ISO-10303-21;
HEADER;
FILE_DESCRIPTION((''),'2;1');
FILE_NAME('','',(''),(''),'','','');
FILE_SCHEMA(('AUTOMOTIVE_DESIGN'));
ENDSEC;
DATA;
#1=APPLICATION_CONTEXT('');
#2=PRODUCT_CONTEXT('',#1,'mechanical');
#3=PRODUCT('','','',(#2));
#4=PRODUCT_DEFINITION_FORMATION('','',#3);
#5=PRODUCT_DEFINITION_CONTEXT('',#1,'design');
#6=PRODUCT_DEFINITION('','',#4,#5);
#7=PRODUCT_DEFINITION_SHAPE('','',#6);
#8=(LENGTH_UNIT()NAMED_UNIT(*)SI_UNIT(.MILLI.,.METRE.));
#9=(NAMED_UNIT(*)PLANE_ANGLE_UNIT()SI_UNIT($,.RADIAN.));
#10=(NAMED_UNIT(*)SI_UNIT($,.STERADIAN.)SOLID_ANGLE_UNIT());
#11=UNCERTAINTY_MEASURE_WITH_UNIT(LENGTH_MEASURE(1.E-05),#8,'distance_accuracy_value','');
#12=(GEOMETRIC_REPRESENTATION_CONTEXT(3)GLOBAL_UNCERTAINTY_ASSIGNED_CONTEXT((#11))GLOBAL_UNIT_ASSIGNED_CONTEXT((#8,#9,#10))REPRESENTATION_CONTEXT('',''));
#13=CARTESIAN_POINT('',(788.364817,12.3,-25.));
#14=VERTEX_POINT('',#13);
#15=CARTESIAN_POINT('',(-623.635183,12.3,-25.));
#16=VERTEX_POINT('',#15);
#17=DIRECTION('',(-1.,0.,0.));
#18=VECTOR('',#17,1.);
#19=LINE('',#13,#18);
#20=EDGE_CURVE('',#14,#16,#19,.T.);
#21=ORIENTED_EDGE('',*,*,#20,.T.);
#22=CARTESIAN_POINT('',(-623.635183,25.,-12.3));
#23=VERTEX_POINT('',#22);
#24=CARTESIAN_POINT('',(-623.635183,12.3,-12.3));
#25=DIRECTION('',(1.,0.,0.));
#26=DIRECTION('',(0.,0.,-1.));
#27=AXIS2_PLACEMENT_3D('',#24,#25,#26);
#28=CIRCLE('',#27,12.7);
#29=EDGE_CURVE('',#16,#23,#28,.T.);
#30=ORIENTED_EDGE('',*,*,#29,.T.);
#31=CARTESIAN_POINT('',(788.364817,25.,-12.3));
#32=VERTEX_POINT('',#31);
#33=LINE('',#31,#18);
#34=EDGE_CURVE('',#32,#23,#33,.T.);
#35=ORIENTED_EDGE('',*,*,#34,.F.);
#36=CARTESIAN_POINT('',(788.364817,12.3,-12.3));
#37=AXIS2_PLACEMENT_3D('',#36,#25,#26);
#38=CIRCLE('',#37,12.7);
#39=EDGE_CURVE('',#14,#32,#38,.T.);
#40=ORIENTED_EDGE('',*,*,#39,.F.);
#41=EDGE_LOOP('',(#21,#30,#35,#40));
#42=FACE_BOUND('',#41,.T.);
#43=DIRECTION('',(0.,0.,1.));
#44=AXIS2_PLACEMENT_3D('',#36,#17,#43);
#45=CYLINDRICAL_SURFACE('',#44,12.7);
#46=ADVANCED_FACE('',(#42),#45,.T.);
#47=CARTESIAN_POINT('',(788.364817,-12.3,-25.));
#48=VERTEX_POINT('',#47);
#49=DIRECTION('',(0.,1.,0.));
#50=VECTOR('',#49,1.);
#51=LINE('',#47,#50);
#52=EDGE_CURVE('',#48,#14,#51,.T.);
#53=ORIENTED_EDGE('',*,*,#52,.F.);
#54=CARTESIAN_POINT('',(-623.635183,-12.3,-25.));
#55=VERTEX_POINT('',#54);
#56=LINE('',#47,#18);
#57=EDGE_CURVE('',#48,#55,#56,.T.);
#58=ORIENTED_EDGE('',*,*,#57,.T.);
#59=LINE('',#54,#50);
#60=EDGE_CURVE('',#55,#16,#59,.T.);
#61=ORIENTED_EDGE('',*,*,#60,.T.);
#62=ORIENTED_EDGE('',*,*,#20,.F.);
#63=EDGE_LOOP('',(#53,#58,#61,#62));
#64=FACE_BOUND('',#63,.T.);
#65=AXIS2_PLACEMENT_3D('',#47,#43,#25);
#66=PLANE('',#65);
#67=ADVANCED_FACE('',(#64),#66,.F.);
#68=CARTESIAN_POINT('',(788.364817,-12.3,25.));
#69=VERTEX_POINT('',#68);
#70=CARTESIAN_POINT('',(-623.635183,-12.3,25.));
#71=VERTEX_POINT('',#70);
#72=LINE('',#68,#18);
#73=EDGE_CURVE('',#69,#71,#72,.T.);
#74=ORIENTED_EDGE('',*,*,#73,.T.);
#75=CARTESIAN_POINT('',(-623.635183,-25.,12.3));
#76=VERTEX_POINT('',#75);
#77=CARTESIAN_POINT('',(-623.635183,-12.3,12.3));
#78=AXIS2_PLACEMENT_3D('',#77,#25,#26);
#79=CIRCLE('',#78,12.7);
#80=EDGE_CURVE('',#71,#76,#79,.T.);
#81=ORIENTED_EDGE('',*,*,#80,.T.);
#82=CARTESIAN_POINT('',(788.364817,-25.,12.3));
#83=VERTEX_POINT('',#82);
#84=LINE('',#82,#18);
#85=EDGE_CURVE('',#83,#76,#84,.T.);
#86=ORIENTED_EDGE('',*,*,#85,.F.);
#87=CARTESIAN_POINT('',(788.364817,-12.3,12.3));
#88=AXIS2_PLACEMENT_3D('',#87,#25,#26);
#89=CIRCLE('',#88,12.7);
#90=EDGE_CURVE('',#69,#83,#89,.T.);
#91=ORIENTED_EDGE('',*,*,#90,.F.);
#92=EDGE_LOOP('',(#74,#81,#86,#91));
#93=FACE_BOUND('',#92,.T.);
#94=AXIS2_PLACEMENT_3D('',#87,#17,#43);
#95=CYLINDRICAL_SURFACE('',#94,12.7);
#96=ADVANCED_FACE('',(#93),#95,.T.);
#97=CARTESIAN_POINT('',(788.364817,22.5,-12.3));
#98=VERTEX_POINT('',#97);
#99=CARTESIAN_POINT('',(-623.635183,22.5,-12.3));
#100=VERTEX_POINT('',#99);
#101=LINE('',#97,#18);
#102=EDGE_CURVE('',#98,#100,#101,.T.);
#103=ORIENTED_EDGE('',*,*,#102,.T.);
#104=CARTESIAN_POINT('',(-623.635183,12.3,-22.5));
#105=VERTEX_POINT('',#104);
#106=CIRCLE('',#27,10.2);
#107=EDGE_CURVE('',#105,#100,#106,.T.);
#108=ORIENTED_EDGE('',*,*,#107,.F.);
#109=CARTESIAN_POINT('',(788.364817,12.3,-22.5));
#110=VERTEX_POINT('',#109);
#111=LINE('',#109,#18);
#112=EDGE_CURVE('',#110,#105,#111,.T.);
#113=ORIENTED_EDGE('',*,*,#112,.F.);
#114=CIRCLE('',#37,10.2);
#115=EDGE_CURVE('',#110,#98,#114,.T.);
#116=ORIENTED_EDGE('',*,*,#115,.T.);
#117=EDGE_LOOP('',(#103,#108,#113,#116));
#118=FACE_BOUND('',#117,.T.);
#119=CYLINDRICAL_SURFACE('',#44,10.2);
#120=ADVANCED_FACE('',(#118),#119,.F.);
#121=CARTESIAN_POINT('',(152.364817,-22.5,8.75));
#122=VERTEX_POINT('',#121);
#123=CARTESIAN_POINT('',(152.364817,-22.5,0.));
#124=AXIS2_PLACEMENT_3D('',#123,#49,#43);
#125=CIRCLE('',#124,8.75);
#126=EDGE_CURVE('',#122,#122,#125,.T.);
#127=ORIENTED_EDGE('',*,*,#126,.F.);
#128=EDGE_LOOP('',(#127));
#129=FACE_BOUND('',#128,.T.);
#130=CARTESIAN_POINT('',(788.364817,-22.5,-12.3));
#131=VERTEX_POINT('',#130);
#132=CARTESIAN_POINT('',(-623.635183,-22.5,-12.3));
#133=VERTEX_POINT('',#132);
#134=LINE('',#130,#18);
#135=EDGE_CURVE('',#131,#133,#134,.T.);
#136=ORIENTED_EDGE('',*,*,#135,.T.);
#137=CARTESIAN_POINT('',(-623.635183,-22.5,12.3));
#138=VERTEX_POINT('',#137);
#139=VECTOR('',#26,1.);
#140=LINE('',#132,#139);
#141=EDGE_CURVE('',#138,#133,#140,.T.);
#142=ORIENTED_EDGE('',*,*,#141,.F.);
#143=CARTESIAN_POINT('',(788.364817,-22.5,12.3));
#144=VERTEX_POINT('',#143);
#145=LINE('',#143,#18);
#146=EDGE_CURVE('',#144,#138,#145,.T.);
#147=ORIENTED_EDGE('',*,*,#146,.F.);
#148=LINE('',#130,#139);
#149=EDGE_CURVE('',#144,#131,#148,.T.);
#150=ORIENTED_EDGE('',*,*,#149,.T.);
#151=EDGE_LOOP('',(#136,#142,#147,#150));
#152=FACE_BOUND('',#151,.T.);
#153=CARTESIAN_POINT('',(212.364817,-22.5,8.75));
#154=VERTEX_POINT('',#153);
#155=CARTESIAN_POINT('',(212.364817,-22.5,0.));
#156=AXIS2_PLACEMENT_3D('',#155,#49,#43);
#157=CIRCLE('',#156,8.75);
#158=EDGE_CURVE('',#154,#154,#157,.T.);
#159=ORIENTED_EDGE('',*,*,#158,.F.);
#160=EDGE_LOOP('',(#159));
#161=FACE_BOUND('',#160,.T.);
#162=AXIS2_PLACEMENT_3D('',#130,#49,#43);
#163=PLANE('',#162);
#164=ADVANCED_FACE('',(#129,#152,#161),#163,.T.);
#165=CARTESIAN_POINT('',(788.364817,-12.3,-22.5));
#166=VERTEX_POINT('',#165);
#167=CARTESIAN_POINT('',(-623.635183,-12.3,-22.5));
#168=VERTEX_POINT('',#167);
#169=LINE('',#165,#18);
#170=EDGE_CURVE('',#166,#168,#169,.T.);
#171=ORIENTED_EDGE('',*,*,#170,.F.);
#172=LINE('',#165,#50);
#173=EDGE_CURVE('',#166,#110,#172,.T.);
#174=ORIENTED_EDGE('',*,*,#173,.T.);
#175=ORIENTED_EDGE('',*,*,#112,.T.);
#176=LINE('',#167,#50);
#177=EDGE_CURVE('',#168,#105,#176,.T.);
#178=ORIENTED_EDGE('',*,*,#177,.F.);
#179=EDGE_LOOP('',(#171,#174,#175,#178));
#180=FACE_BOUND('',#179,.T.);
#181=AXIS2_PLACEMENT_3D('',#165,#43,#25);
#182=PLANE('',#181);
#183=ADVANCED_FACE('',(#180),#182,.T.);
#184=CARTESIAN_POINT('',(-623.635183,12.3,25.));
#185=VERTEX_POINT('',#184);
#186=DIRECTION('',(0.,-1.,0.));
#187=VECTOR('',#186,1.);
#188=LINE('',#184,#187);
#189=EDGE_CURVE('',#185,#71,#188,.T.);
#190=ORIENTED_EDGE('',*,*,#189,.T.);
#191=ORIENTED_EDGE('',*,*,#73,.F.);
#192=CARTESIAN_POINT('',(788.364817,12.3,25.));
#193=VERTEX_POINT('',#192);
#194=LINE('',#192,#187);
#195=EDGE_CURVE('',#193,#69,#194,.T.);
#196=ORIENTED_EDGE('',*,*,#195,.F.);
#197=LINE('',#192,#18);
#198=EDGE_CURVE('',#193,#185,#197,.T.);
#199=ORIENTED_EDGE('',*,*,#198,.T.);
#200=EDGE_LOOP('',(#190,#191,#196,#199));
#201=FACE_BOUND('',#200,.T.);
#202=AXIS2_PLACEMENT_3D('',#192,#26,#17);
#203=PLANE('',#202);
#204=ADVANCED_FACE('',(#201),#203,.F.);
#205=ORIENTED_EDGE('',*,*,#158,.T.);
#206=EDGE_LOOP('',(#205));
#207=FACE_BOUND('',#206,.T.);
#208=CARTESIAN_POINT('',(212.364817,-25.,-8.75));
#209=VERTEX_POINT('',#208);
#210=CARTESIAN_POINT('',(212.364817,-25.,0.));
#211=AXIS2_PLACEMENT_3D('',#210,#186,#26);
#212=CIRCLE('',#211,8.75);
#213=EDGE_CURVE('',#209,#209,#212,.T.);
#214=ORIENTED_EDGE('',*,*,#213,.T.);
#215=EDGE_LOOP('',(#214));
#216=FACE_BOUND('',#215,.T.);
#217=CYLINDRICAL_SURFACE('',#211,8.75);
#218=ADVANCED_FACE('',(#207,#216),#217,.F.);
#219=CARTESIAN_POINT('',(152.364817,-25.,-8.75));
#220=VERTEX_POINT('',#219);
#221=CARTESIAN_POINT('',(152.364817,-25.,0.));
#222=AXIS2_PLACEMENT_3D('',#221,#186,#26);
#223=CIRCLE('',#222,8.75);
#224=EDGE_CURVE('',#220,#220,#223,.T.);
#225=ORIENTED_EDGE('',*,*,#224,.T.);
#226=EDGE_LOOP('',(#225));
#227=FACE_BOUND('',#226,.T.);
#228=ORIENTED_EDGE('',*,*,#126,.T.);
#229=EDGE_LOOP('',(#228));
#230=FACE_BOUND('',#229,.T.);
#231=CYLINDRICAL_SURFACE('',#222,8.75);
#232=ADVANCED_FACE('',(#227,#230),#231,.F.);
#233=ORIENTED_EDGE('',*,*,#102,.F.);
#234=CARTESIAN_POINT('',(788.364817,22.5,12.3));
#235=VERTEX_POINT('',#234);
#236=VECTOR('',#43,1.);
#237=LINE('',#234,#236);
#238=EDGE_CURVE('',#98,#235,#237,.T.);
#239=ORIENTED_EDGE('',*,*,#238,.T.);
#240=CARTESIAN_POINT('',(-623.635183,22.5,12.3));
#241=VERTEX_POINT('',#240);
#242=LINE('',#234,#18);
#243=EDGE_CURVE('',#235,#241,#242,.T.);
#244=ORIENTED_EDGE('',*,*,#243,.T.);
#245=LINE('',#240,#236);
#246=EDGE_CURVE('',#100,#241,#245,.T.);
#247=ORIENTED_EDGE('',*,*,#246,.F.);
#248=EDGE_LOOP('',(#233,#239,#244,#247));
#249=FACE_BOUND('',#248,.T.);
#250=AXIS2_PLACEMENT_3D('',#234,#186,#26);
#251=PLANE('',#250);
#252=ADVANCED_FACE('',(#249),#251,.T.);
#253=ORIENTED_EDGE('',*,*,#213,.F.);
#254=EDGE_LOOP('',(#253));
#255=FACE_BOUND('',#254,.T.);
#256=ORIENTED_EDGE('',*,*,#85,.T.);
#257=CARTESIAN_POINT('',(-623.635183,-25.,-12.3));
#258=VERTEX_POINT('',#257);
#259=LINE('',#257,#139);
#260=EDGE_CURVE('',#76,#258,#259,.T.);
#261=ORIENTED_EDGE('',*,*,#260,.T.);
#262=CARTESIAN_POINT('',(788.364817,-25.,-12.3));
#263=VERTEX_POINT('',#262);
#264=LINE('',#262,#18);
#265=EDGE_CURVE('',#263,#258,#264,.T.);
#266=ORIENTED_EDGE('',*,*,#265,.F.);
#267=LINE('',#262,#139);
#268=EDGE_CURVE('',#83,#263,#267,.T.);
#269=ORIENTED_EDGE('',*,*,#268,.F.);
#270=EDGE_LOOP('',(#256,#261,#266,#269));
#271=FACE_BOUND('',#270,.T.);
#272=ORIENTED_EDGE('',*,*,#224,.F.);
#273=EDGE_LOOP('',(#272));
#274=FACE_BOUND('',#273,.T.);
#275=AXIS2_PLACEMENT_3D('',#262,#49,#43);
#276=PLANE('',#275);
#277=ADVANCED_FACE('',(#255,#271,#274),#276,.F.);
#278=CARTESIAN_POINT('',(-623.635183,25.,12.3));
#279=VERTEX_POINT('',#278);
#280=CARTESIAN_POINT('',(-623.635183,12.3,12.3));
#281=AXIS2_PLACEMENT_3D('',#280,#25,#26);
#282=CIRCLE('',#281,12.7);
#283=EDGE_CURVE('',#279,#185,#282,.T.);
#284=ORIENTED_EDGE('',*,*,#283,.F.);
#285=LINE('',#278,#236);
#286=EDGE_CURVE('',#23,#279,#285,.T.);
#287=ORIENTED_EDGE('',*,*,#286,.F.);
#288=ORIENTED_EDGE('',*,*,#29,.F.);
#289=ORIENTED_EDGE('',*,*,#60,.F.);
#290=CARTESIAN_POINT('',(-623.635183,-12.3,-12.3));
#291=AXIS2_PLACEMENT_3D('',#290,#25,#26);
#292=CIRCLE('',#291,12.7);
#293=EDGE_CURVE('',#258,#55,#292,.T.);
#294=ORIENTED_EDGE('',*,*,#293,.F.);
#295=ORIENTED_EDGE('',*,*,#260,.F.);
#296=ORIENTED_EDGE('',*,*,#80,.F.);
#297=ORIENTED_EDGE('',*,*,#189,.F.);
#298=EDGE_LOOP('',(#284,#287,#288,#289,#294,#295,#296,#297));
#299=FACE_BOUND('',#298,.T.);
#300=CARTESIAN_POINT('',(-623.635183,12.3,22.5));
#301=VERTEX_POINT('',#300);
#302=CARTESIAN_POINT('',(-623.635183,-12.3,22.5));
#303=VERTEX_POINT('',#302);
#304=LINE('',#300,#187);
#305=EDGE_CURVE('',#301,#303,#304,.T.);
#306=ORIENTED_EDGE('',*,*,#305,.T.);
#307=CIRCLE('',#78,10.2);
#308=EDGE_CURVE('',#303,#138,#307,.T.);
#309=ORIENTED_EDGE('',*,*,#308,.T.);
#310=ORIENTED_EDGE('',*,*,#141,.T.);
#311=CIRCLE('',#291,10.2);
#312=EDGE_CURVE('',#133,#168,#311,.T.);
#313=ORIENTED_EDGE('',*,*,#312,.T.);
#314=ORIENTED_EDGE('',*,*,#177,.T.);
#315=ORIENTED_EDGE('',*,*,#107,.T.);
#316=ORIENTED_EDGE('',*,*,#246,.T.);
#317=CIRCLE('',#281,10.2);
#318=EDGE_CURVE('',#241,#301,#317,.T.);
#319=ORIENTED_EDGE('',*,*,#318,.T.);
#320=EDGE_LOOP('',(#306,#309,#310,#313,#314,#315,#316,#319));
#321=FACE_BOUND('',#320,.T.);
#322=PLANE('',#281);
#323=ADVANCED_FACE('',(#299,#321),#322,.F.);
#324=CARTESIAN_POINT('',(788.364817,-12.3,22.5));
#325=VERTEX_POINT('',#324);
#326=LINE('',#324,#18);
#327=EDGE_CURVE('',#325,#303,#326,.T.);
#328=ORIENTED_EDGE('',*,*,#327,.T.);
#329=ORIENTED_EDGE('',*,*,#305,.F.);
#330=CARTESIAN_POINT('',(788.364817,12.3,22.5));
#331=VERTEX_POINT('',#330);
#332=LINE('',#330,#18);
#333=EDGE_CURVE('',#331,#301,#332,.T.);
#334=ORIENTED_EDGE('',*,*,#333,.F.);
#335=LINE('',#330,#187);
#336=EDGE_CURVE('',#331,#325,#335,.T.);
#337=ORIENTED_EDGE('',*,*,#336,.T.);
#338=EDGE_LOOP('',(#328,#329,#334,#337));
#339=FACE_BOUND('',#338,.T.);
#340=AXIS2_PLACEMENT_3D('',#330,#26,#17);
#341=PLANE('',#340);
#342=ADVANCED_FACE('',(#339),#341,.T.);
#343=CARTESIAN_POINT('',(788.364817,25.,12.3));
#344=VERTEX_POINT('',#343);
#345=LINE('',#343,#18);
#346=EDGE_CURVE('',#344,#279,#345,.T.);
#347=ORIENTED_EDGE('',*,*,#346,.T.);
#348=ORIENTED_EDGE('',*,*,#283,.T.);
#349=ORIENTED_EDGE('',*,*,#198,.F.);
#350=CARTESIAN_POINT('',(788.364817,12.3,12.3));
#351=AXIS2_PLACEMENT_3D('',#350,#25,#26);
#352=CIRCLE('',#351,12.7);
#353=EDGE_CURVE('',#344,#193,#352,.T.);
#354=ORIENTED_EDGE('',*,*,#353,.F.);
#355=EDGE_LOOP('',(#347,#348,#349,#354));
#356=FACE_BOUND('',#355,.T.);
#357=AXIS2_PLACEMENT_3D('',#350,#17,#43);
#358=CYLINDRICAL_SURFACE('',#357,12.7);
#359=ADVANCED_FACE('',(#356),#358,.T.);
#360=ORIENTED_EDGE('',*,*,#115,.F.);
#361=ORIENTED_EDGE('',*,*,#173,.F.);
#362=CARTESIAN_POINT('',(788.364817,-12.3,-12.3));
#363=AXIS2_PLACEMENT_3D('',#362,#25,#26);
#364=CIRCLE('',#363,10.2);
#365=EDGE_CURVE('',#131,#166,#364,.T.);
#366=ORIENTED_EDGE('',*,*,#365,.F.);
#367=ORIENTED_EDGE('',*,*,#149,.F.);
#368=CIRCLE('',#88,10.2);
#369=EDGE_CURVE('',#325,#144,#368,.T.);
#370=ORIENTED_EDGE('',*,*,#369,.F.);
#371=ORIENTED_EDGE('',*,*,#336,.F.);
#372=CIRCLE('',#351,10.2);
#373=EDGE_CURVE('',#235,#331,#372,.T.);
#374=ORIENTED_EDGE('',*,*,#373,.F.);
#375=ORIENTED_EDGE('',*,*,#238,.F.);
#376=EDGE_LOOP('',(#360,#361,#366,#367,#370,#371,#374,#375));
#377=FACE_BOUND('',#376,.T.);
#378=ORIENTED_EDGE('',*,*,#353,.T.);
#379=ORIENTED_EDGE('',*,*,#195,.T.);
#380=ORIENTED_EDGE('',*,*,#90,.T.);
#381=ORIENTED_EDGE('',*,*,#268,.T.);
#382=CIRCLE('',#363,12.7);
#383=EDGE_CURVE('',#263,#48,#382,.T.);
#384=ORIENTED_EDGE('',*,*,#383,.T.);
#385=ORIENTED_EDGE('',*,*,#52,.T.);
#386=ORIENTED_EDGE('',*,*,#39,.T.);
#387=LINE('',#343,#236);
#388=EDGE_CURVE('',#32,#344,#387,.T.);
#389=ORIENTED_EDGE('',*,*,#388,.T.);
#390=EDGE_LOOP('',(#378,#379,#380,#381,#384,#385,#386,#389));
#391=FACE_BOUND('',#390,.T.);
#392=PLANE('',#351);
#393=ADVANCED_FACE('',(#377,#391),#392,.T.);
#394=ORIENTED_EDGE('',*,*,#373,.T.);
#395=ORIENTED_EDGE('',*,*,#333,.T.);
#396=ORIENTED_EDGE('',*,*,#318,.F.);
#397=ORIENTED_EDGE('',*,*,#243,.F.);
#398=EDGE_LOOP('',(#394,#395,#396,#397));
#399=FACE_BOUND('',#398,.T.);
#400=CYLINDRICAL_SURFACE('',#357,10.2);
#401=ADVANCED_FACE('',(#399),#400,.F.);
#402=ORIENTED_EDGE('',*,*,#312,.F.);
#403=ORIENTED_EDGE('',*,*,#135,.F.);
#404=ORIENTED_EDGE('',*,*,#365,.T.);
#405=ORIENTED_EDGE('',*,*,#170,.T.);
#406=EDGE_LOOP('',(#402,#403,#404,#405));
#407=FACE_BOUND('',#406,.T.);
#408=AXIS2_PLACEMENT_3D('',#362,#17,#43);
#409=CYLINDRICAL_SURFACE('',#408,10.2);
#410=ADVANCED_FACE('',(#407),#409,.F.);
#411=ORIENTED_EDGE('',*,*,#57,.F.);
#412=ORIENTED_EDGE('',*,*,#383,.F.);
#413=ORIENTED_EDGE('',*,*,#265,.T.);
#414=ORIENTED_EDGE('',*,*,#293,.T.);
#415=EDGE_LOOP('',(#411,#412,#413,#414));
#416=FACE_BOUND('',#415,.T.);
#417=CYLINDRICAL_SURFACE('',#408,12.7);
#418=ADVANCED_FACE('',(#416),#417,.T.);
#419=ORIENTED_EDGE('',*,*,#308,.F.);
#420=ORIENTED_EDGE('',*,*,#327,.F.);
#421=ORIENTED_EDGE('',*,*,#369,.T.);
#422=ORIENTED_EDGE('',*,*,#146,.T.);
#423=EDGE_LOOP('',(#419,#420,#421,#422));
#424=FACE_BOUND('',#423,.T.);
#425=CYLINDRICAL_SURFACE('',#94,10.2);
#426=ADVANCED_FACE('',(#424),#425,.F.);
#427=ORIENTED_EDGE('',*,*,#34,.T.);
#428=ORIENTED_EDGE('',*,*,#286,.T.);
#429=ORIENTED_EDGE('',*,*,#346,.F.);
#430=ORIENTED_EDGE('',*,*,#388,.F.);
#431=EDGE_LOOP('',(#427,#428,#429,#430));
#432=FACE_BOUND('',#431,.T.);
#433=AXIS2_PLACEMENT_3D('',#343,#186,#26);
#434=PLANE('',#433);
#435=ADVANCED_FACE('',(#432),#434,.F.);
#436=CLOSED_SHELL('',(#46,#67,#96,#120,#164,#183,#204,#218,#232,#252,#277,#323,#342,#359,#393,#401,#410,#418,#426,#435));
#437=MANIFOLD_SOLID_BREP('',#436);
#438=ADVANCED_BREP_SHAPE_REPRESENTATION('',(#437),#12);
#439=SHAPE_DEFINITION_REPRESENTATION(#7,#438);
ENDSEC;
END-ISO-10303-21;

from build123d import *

# Parameters (mm, degrees)
MIEMBRO_ESTRUCTURAL1_DEPTH        = 1412
TALADRO_DE_MARGEN_PARA_M161_D     = 17.5
TALADRO_DE_MARGEN_PARA_M161_DEPTH = 2.5


with BuildPart() as part:
    # Sketch1 → Miembro estructural1 (new body)
    with BuildSketch(Plane.YZ.offset(-623.635182539)):
        with BuildLine():
            Line((-12.3, -25), (12.3, -25))
            ThreePointArc((12.3, -25), (21.280256121, -21.280256121), (25, -12.3))
            Line((25, -12.3), (25, 12.3))
            ThreePointArc((25, 12.3), (21.280256121, 21.280256121), (12.3, 25))
            Line((12.3, 25), (-12.3, 25))
            ThreePointArc((-12.3, 25), (-21.280256121, 21.280256121), (-25, 12.3))
            Line((-25, 12.3), (-25, -12.3))
            ThreePointArc((-25, -12.3), (-21.280256121, -21.280256121), (-12.3, -25))
        make_face()
        with BuildLine():
            Line((-12.3, -22.5), (12.3, -22.5))
            ThreePointArc((12.3, -22.5), (19.512489168, -19.512489168), (22.5, -12.3))
            Line((22.5, -12.3), (22.5, 12.3))
            ThreePointArc((22.5, 12.3), (19.512489168, 19.512489168), (12.3, 22.5))
            Line((12.3, 22.5), (-12.3, 22.5))
            ThreePointArc((-12.3, 22.5), (-19.512489168, 19.512489168), (-22.5, 12.3))
            Line((-22.5, 12.3), (-22.5, -12.3))
            ThreePointArc((-22.5, -12.3), (-19.512489168, -19.512489168), (-12.3, -22.5))
        make_face(mode=Mode.SUBTRACT)
    extrude(amount=MIEMBRO_ESTRUCTURAL1_DEPTH)

    # Taladro de margen para M161
    with Locations(Plane(origin=(0, -25, 0), x_dir=(-1, 0, 0), z_dir=(0, -1, 0))):
        with Locations((-152.364817461, 0), (-212.364817461, 0)):
            Hole(TALADRO_DE_MARGEN_PARA_M161_D / 2, depth=TALADRO_DE_MARGEN_PARA_M161_DEPTH)


solid = part.part
